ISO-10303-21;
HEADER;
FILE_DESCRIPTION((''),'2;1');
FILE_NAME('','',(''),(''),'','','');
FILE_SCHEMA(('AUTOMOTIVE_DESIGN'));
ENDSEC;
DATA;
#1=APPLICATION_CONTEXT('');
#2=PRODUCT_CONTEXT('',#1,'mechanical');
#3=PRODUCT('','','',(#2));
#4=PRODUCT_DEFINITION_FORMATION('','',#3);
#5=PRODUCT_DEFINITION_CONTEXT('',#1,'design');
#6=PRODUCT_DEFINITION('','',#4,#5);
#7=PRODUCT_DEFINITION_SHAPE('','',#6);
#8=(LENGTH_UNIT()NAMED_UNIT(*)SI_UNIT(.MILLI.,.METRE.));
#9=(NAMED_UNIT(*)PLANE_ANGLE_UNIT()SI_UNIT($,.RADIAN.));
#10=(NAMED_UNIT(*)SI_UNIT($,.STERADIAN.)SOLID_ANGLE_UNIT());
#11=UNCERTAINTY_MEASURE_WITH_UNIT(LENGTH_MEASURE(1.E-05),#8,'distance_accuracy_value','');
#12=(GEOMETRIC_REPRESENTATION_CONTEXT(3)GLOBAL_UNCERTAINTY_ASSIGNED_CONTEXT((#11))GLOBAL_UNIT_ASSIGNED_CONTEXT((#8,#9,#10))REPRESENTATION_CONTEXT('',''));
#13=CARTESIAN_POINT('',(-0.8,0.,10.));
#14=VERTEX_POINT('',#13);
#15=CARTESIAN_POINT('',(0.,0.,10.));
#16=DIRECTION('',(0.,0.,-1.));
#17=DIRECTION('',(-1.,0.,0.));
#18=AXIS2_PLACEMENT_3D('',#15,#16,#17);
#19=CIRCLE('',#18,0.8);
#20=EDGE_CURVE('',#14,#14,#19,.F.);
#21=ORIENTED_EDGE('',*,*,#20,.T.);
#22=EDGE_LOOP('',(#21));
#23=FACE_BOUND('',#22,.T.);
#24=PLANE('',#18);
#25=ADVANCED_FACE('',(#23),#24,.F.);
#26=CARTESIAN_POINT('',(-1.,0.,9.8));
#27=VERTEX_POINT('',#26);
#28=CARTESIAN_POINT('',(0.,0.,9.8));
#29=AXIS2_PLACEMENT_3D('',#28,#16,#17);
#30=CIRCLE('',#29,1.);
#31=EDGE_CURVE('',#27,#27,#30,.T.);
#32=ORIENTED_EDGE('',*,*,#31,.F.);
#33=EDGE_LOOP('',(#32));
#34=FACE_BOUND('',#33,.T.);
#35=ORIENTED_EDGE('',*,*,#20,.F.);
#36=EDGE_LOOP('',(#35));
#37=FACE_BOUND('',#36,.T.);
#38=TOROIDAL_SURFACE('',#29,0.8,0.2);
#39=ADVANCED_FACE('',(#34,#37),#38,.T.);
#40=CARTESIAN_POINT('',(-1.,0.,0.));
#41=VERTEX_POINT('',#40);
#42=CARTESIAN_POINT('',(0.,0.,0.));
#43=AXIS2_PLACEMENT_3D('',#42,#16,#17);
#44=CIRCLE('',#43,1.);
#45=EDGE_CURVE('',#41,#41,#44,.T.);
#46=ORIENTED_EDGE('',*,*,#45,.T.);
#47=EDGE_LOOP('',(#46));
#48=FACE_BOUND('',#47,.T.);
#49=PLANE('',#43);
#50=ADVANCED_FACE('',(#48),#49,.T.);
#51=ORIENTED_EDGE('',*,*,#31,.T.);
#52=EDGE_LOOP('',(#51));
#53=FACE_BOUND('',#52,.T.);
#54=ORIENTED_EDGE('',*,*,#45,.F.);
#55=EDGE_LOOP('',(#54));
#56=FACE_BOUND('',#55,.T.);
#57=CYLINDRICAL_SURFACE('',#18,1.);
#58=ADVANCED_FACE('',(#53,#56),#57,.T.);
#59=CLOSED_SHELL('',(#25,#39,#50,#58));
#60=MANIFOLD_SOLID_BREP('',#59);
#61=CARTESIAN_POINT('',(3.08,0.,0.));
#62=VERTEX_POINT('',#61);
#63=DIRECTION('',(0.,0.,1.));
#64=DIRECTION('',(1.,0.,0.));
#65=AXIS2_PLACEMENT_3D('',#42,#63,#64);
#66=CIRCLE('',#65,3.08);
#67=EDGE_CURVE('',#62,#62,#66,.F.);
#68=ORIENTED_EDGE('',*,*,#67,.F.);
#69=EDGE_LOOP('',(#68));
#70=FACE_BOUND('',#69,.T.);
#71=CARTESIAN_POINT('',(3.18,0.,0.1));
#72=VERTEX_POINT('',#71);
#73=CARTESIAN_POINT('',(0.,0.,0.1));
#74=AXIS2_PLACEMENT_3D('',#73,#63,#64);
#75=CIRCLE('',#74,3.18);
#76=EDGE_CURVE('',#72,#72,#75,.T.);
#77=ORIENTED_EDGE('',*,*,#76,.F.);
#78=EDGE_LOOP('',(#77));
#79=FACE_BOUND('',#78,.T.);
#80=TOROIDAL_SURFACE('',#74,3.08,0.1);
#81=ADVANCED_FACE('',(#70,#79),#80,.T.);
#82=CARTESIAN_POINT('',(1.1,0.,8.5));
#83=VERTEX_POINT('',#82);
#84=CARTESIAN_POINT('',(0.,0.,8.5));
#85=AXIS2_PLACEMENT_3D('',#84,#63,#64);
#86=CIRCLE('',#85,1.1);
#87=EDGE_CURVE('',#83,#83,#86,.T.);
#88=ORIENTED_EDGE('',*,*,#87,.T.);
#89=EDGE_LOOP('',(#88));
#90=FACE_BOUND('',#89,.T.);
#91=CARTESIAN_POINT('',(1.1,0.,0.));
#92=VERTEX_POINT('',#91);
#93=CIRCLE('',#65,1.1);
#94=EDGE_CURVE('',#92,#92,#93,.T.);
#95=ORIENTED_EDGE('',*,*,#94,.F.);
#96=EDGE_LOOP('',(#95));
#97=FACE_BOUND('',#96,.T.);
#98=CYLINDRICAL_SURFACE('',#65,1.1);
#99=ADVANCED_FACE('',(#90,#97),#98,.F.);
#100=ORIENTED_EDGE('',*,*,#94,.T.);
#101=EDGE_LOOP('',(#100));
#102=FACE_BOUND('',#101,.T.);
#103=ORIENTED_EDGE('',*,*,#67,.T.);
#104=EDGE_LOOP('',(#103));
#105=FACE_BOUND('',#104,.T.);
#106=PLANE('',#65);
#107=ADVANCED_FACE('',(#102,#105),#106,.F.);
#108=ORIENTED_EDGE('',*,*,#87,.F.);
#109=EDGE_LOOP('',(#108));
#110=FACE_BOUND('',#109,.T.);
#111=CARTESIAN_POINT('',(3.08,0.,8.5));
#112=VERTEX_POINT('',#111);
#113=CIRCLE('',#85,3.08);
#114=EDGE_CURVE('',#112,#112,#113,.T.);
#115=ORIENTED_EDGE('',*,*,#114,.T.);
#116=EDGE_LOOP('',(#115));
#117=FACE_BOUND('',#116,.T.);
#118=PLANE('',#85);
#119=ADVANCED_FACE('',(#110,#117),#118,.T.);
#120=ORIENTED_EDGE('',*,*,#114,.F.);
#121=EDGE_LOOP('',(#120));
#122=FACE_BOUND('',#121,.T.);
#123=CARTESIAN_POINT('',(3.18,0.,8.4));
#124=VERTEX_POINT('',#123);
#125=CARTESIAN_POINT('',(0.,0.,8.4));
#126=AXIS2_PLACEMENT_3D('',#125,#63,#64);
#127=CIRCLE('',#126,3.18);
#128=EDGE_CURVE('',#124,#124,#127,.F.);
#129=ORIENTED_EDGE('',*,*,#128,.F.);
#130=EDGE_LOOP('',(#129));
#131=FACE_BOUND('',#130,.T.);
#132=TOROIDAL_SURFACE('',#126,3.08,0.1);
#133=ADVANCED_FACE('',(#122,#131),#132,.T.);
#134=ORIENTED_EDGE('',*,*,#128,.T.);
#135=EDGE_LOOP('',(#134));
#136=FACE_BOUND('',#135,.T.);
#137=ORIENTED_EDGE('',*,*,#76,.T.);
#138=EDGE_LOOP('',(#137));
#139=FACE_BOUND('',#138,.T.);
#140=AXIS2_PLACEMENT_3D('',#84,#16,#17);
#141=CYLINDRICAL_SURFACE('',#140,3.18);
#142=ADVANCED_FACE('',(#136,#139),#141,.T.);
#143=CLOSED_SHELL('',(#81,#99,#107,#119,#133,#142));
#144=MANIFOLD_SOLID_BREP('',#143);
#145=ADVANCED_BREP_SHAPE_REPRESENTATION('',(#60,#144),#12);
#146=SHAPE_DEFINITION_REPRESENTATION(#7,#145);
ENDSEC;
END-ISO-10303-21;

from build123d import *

# Parameters (mm, degrees)
SKETCH1_R               = 3.18
BOSS_EXTRUDE1_DEPTH     = 8.5
CUT_EXTRUDE1_DEPTH      = 10.616381856
CUT_EXTRUDE1_DEPTH_BACK = 10.616381856
SKETCH2_R               = 1.1
SKETCH3_R               = 1
BOSS_EXTRUDE2_DEPTH     = 10
FILLET1_R               = 0.2
FILLET2_R               = 0.1
FILLET3_R               = 0.1


with BuildPart() as part:
    # Sketch1 → Boss-Extrude1 (new body)
    with BuildSketch(Plane.XY):
        Circle(SKETCH1_R)
    extrude(amount=BOSS_EXTRUDE1_DEPTH)

    # Sketch2 → Cut-Extrude1 (cut, two sides: drawn at the far end of the back side and taken through both)
    with BuildSketch(Plane.XY.offset(8.5).offset(-CUT_EXTRUDE1_DEPTH_BACK)):
        Circle(SKETCH2_R)
    extrude(amount=CUT_EXTRUDE1_DEPTH + CUT_EXTRUDE1_DEPTH_BACK, mode=Mode.SUBTRACT)

    # Fillet2
    fillet2_edges = [part.edges().sort_by_distance(p)[0] for p in [
        (-3.18, 0, 8.5),
    ]]
    fillet(fillet2_edges, radius=FILLET2_R)

    # Fillet3
    fillet3_edges = [part.edges().sort_by_distance(p)[0] for p in [
        (-3.18, 0, 0),
    ]]
    fillet(fillet3_edges, radius=FILLET3_R)


with BuildPart() as body_2:
    # Sketch3 → Boss-Extrude2 (new body)
    with BuildSketch(Plane(origin=(0, 0, 0), x_dir=(-1, 0, 0), z_dir=(0, 0, -1))):
        Circle(SKETCH3_R)
    extrude(amount=-BOSS_EXTRUDE2_DEPTH)

    # Fillet1
    fillet1_edges = [body_2.edges().sort_by_distance(p)[0] for p in [
        (1, 0, 10),
    ]]
    fillet(fillet1_edges, radius=FILLET1_R)


solid = Compound([part.part, body_2.part])
